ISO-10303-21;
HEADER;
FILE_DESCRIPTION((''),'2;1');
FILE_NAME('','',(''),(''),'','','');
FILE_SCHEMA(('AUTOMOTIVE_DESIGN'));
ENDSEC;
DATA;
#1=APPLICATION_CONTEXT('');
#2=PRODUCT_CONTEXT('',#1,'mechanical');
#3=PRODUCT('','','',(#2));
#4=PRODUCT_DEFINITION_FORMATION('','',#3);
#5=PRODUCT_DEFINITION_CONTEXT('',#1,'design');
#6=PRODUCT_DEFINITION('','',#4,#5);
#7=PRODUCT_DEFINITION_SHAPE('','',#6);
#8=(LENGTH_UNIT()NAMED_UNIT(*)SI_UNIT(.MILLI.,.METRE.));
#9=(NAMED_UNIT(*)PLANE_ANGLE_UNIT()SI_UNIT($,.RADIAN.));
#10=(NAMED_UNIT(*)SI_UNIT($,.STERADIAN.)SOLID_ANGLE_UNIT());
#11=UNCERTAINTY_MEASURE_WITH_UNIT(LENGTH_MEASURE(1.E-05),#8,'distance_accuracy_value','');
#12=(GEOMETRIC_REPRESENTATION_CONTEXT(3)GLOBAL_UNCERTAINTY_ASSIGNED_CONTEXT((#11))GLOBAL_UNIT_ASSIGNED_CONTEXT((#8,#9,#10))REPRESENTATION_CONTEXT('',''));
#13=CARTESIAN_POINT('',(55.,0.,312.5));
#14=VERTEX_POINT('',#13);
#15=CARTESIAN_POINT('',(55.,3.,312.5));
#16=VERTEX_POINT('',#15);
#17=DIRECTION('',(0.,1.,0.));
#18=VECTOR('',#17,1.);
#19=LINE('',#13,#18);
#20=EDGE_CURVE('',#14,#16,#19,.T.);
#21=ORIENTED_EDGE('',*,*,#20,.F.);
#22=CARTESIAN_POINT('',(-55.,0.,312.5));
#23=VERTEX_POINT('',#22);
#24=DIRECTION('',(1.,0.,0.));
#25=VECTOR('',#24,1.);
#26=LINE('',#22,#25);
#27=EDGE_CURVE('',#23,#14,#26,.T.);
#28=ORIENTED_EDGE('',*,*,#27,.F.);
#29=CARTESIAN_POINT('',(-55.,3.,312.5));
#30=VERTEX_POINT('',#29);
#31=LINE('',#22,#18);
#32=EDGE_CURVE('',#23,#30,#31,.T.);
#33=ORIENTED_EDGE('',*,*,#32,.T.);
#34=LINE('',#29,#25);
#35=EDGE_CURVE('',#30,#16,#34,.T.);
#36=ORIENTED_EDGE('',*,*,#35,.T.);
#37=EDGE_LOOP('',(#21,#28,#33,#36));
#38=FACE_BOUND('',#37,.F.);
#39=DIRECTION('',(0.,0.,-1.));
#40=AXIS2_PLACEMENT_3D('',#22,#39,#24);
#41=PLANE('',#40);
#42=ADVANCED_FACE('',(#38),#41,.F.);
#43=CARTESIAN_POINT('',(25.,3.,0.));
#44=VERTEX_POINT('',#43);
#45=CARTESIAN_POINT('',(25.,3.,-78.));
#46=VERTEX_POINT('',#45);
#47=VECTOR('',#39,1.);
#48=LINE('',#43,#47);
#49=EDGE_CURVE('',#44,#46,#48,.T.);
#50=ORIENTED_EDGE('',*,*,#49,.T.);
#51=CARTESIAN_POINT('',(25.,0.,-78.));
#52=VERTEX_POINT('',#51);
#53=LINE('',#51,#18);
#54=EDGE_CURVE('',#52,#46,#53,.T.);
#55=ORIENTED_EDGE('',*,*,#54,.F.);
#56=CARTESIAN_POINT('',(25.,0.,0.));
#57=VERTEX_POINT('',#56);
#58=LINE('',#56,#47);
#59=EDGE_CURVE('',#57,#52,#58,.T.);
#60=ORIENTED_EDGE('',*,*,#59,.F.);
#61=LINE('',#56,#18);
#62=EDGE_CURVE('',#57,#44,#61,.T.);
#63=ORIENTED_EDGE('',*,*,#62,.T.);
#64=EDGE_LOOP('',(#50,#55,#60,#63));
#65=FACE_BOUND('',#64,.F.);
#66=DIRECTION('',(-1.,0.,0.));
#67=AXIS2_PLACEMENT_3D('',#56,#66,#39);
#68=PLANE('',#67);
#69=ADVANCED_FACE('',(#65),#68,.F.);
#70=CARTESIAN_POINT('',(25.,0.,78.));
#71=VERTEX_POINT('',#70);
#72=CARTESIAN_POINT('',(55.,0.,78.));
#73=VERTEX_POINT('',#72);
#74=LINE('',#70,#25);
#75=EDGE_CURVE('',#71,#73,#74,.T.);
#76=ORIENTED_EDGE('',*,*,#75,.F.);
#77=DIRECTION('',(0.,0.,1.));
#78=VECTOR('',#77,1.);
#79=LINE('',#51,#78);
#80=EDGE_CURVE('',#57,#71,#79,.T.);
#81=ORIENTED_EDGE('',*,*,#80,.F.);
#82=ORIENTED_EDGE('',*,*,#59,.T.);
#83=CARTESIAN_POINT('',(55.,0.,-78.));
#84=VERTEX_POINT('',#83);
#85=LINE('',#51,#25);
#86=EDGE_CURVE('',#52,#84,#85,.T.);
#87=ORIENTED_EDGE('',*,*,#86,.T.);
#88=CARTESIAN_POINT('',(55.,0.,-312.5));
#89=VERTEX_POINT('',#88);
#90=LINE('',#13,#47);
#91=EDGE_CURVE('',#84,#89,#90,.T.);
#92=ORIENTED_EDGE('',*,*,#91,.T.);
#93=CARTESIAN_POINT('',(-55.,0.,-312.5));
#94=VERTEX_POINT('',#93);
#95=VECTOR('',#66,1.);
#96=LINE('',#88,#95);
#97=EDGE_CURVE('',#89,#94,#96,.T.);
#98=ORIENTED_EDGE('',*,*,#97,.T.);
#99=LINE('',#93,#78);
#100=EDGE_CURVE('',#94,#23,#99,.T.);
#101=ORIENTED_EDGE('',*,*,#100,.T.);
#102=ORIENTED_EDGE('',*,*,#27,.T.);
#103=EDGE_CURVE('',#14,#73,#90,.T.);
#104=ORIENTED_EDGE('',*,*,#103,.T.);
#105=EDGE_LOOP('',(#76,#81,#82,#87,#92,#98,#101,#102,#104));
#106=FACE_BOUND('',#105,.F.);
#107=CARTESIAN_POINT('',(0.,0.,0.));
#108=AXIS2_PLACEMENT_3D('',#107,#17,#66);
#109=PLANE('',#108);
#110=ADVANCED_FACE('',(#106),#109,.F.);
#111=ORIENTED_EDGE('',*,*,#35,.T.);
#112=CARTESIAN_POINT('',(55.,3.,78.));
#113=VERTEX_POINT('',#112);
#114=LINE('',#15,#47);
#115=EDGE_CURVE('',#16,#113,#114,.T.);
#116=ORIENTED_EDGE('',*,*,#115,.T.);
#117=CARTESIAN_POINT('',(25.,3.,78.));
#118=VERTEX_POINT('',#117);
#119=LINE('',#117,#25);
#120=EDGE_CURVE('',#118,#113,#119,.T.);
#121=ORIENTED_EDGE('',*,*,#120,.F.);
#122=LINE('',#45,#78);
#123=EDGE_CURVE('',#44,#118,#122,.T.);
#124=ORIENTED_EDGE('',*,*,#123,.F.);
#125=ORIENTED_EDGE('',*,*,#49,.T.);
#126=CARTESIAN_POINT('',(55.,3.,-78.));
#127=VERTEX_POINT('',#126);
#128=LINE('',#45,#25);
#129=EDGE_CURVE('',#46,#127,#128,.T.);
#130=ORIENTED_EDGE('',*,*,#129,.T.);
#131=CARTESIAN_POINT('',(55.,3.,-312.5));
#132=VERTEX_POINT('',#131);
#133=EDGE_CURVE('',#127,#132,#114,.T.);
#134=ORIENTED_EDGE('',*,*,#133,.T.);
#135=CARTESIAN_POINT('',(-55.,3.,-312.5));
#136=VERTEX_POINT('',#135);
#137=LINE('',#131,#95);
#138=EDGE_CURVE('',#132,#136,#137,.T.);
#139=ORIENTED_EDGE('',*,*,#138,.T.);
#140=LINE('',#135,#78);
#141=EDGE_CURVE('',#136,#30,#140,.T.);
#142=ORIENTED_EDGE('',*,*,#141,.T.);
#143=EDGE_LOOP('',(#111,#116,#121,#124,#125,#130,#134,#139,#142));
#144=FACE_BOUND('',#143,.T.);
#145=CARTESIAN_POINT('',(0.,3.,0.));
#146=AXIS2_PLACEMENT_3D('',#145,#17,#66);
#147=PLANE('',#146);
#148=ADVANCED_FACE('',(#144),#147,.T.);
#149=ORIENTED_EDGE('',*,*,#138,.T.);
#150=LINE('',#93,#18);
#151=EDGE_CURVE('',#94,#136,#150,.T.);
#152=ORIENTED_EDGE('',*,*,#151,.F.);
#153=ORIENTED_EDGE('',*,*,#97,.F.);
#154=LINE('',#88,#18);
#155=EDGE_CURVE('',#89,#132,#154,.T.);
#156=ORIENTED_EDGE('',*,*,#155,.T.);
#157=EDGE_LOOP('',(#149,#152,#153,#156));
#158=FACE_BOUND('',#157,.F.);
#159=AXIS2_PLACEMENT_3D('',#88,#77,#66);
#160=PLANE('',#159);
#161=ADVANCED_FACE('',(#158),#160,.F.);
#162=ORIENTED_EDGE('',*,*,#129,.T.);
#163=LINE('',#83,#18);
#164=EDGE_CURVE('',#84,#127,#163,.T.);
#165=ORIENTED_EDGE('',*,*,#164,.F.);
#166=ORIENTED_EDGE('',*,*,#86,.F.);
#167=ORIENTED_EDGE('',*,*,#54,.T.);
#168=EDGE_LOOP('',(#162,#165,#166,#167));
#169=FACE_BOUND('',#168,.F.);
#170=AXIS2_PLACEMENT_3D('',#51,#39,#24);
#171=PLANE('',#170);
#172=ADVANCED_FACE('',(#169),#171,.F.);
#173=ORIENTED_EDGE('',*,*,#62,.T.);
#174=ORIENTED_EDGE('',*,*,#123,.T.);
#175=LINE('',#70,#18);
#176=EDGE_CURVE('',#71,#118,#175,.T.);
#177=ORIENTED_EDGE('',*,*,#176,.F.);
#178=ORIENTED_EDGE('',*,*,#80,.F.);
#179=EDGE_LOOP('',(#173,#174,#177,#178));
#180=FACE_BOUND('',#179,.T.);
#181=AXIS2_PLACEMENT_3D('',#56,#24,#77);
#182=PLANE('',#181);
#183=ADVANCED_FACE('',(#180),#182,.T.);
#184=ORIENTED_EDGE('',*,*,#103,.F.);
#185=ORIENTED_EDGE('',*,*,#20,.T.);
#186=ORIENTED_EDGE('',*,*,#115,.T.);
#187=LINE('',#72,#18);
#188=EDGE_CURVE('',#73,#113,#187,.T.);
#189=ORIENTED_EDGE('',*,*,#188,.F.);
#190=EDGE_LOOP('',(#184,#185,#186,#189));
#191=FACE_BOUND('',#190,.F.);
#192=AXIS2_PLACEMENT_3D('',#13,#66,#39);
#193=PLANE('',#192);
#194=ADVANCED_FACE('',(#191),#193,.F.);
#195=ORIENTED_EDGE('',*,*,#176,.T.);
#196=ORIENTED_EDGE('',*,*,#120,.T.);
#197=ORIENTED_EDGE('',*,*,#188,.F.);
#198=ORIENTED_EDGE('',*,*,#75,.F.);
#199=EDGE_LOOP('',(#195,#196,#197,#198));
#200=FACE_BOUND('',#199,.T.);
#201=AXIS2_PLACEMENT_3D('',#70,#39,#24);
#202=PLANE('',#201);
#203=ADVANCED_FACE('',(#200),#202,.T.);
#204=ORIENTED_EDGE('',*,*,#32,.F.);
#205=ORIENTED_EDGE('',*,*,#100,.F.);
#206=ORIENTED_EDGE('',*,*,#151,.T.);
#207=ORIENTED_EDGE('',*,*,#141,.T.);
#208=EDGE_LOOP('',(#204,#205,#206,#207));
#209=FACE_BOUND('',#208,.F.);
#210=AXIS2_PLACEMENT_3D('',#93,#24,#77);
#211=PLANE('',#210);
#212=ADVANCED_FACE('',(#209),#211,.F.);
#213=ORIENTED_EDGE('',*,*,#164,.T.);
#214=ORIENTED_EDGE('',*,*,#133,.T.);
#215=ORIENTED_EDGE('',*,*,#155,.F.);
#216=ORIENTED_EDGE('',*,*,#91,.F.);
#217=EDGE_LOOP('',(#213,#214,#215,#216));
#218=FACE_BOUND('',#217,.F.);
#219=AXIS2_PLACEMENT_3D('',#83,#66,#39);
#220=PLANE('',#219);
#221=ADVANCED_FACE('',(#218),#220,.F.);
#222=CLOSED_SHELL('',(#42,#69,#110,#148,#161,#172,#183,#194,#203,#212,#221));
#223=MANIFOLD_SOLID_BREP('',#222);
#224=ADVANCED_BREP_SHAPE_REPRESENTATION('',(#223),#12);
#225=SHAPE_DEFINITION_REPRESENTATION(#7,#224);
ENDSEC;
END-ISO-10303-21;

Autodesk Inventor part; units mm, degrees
ref_plane "YZ Plane" through (0, 0, 0) normal (1, 0, 0) x (0, 1, 0)
ref_plane "XZ Plane" through (0, 0, 0) normal (0, 1, 0) x (-1, 0, 0)
ref_plane "XY Plane" through (0, 0, 0) normal (0, 0, 1) x (1, 0, 0)
sketch "Sketch1" plane through (0, 0, 0) normal (0, 1, 0) x (-1, 0, 0)
  line L0 (55, 312.5) -> (-55, 312.5)
  line L1 (-55, 312.5) -> (-55, -312.5)
  line L2 (-55, -312.5) -> (55, -312.5)
  line L3 (55, -312.5) -> (55, 312.5)
  line L4 (55, 312.5) -> (-55, -312.5) construction
  line L5 (-55, 312.5) -> (55, -312.5) construction
  line L6 (0, 0) -> (-55, 0)
  line L7 (-55, 0) -> (-25, 0)
  line L8 (-25, 0) -> (-25, -78)
  line L9 (-25, -78) -> (-25, 78)
  line L10 (-25, 78) -> (-55, 78)
  line L11 (-25, -78) -> (-55, -78)
  dimension "d0" = 110
  dimension "d1" = 625
  dimension "d2" = 30
  dimension "d3" = 78
  dimension "d4" = 156
extrude "Extrusion1" add sketch "Sketch1" along normal blind 3 contours L3 L2 L1 L11 L8 L9 L10 L0
properties part number "border2"
